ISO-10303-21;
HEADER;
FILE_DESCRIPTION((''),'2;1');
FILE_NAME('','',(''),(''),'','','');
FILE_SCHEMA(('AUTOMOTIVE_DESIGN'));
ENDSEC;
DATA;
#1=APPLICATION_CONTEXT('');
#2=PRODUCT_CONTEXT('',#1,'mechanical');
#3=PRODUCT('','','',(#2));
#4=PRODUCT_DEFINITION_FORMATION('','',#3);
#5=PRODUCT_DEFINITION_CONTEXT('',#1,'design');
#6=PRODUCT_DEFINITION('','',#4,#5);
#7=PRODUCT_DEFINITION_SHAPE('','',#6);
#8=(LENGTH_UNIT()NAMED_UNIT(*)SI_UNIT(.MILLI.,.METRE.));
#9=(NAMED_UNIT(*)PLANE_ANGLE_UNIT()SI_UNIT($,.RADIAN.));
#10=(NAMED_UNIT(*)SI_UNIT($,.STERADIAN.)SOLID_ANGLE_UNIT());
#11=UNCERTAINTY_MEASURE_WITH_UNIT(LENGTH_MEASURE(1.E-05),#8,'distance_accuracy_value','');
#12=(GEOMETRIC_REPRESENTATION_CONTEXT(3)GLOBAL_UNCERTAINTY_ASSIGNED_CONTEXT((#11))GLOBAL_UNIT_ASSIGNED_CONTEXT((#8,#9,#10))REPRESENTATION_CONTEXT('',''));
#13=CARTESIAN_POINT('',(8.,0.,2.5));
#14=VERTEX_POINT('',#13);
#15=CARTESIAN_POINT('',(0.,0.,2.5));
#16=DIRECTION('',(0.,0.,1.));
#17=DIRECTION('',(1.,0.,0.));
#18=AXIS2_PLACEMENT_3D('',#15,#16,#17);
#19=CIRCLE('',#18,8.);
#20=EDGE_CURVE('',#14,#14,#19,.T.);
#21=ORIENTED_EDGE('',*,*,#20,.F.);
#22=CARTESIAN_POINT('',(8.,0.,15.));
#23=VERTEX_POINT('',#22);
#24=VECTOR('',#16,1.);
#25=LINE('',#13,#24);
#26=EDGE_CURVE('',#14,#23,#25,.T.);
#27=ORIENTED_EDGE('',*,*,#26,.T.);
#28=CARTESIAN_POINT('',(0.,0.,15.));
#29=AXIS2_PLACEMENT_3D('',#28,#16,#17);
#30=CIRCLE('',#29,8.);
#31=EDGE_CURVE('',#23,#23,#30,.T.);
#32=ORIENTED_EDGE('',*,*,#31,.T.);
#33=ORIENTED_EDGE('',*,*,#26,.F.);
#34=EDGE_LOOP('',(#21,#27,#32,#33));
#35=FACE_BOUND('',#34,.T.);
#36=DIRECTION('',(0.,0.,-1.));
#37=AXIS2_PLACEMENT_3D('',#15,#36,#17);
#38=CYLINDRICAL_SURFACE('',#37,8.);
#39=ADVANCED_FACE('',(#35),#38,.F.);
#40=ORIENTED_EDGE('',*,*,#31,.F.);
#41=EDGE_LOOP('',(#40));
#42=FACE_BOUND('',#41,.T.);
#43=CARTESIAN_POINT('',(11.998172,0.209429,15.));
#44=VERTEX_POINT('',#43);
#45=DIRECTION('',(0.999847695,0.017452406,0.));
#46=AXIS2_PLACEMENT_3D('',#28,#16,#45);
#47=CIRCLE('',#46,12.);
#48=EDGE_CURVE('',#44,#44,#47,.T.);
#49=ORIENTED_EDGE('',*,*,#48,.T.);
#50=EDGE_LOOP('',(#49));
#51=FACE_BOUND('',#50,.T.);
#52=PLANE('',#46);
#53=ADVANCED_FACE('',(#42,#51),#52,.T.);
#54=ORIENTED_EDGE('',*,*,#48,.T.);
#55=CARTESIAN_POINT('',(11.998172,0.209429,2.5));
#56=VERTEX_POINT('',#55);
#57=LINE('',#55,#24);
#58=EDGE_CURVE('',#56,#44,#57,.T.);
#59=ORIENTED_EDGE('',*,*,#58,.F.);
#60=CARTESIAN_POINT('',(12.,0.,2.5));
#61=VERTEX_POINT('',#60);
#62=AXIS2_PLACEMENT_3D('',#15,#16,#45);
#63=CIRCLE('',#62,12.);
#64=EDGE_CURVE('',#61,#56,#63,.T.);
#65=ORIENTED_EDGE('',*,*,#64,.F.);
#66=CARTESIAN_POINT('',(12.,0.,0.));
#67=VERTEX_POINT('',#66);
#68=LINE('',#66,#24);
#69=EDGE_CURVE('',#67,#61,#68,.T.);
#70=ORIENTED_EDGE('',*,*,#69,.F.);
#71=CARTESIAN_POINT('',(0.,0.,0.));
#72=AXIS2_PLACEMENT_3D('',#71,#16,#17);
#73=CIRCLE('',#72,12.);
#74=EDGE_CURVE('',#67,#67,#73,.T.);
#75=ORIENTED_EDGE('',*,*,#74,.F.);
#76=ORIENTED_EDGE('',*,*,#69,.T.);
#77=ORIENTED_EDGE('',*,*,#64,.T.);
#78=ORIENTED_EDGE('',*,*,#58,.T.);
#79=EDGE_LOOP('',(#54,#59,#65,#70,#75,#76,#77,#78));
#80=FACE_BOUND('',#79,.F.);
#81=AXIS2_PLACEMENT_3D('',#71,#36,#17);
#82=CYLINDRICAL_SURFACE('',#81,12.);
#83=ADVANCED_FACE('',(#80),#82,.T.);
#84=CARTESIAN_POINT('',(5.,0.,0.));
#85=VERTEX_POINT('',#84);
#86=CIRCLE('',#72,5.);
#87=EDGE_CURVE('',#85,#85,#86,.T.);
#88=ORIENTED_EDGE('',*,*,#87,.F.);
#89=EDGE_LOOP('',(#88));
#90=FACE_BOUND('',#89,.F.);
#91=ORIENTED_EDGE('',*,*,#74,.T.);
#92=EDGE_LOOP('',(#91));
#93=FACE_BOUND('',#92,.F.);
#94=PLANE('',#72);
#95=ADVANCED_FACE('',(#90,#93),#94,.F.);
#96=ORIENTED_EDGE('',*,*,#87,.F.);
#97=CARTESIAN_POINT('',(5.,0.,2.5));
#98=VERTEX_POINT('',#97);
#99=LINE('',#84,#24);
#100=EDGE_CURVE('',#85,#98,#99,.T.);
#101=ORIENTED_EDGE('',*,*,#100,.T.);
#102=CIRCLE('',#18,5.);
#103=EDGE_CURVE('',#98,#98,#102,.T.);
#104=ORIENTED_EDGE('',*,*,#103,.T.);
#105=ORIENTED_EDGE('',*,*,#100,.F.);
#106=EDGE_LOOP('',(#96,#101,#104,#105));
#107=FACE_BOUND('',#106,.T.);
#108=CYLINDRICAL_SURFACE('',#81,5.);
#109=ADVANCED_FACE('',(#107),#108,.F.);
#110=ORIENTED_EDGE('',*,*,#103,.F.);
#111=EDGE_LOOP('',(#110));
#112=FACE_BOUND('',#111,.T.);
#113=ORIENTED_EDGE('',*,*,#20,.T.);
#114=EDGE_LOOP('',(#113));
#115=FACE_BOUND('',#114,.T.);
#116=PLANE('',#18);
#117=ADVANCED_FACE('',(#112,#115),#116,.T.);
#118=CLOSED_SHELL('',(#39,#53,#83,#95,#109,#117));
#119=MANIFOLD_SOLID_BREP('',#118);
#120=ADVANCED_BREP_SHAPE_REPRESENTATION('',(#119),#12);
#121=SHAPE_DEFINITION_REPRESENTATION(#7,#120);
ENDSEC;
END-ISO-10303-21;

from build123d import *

# Parameters (mm, degrees)
CYLINDER024_R               = 5
CYLINDER024_DEPTH           = 2.5
CYLINDER019_R               = 12
CYLINDER019_DEPTH           = 2.5
CYLINDER027_R               = 8
CYLINDER027_DEPTH           = 12.5
CYLINDER026_R               = 12
CYLINDER026_DEPTH           = 12.5
CYLINDER026_PLACEMENT_ANGLE = 1


with BuildPart() as largeplughole:
    # Cylinder024 → Cylinder024 (new body)
    with BuildSketch(Plane.XY):
        Circle(CYLINDER024_R)
    extrude(amount=CYLINDER024_DEPTH)


with BuildPart() as largeplugbase001:
    # Cylinder019 → Cylinder019 (new body)
    with BuildSketch(Plane.XY):
        Circle(CYLINDER019_R)
    extrude(amount=CYLINDER019_DEPTH)

    # Cut008: cut LargePlugHole
    add(largeplughole.part, mode=Mode.SUBTRACT)


with BuildPart() as largeplugwallhole:
    # Cylinder027 → Cylinder027 (new body)
    with BuildSketch(Plane.XY.offset(2.5)):
        Circle(CYLINDER027_R)
    extrude(amount=CYLINDER027_DEPTH)


with BuildPart() as largeplug:
    # Cylinder026 → Cylinder026 (new body)
    with BuildSketch(Plane.XY):
        Circle(CYLINDER026_R)
    extrude(amount=CYLINDER026_DEPTH)


with BuildPart() as largeplug_1:
    # Cylinder026 placement: moved
    add(largeplug.part.moved(Location((0, 0, 2.5))).rotate(Axis((0, 0, 2.5), (0, 0, 1)), CYLINDER026_PLACEMENT_ANGLE))

    # Cut007: cut LargePlugWallHole
    add(largeplugwallhole.part, mode=Mode.SUBTRACT)

    # Fusion017: union LargePlugBase001
    add(largeplugbase001.part)


solid = largeplug_1.part
